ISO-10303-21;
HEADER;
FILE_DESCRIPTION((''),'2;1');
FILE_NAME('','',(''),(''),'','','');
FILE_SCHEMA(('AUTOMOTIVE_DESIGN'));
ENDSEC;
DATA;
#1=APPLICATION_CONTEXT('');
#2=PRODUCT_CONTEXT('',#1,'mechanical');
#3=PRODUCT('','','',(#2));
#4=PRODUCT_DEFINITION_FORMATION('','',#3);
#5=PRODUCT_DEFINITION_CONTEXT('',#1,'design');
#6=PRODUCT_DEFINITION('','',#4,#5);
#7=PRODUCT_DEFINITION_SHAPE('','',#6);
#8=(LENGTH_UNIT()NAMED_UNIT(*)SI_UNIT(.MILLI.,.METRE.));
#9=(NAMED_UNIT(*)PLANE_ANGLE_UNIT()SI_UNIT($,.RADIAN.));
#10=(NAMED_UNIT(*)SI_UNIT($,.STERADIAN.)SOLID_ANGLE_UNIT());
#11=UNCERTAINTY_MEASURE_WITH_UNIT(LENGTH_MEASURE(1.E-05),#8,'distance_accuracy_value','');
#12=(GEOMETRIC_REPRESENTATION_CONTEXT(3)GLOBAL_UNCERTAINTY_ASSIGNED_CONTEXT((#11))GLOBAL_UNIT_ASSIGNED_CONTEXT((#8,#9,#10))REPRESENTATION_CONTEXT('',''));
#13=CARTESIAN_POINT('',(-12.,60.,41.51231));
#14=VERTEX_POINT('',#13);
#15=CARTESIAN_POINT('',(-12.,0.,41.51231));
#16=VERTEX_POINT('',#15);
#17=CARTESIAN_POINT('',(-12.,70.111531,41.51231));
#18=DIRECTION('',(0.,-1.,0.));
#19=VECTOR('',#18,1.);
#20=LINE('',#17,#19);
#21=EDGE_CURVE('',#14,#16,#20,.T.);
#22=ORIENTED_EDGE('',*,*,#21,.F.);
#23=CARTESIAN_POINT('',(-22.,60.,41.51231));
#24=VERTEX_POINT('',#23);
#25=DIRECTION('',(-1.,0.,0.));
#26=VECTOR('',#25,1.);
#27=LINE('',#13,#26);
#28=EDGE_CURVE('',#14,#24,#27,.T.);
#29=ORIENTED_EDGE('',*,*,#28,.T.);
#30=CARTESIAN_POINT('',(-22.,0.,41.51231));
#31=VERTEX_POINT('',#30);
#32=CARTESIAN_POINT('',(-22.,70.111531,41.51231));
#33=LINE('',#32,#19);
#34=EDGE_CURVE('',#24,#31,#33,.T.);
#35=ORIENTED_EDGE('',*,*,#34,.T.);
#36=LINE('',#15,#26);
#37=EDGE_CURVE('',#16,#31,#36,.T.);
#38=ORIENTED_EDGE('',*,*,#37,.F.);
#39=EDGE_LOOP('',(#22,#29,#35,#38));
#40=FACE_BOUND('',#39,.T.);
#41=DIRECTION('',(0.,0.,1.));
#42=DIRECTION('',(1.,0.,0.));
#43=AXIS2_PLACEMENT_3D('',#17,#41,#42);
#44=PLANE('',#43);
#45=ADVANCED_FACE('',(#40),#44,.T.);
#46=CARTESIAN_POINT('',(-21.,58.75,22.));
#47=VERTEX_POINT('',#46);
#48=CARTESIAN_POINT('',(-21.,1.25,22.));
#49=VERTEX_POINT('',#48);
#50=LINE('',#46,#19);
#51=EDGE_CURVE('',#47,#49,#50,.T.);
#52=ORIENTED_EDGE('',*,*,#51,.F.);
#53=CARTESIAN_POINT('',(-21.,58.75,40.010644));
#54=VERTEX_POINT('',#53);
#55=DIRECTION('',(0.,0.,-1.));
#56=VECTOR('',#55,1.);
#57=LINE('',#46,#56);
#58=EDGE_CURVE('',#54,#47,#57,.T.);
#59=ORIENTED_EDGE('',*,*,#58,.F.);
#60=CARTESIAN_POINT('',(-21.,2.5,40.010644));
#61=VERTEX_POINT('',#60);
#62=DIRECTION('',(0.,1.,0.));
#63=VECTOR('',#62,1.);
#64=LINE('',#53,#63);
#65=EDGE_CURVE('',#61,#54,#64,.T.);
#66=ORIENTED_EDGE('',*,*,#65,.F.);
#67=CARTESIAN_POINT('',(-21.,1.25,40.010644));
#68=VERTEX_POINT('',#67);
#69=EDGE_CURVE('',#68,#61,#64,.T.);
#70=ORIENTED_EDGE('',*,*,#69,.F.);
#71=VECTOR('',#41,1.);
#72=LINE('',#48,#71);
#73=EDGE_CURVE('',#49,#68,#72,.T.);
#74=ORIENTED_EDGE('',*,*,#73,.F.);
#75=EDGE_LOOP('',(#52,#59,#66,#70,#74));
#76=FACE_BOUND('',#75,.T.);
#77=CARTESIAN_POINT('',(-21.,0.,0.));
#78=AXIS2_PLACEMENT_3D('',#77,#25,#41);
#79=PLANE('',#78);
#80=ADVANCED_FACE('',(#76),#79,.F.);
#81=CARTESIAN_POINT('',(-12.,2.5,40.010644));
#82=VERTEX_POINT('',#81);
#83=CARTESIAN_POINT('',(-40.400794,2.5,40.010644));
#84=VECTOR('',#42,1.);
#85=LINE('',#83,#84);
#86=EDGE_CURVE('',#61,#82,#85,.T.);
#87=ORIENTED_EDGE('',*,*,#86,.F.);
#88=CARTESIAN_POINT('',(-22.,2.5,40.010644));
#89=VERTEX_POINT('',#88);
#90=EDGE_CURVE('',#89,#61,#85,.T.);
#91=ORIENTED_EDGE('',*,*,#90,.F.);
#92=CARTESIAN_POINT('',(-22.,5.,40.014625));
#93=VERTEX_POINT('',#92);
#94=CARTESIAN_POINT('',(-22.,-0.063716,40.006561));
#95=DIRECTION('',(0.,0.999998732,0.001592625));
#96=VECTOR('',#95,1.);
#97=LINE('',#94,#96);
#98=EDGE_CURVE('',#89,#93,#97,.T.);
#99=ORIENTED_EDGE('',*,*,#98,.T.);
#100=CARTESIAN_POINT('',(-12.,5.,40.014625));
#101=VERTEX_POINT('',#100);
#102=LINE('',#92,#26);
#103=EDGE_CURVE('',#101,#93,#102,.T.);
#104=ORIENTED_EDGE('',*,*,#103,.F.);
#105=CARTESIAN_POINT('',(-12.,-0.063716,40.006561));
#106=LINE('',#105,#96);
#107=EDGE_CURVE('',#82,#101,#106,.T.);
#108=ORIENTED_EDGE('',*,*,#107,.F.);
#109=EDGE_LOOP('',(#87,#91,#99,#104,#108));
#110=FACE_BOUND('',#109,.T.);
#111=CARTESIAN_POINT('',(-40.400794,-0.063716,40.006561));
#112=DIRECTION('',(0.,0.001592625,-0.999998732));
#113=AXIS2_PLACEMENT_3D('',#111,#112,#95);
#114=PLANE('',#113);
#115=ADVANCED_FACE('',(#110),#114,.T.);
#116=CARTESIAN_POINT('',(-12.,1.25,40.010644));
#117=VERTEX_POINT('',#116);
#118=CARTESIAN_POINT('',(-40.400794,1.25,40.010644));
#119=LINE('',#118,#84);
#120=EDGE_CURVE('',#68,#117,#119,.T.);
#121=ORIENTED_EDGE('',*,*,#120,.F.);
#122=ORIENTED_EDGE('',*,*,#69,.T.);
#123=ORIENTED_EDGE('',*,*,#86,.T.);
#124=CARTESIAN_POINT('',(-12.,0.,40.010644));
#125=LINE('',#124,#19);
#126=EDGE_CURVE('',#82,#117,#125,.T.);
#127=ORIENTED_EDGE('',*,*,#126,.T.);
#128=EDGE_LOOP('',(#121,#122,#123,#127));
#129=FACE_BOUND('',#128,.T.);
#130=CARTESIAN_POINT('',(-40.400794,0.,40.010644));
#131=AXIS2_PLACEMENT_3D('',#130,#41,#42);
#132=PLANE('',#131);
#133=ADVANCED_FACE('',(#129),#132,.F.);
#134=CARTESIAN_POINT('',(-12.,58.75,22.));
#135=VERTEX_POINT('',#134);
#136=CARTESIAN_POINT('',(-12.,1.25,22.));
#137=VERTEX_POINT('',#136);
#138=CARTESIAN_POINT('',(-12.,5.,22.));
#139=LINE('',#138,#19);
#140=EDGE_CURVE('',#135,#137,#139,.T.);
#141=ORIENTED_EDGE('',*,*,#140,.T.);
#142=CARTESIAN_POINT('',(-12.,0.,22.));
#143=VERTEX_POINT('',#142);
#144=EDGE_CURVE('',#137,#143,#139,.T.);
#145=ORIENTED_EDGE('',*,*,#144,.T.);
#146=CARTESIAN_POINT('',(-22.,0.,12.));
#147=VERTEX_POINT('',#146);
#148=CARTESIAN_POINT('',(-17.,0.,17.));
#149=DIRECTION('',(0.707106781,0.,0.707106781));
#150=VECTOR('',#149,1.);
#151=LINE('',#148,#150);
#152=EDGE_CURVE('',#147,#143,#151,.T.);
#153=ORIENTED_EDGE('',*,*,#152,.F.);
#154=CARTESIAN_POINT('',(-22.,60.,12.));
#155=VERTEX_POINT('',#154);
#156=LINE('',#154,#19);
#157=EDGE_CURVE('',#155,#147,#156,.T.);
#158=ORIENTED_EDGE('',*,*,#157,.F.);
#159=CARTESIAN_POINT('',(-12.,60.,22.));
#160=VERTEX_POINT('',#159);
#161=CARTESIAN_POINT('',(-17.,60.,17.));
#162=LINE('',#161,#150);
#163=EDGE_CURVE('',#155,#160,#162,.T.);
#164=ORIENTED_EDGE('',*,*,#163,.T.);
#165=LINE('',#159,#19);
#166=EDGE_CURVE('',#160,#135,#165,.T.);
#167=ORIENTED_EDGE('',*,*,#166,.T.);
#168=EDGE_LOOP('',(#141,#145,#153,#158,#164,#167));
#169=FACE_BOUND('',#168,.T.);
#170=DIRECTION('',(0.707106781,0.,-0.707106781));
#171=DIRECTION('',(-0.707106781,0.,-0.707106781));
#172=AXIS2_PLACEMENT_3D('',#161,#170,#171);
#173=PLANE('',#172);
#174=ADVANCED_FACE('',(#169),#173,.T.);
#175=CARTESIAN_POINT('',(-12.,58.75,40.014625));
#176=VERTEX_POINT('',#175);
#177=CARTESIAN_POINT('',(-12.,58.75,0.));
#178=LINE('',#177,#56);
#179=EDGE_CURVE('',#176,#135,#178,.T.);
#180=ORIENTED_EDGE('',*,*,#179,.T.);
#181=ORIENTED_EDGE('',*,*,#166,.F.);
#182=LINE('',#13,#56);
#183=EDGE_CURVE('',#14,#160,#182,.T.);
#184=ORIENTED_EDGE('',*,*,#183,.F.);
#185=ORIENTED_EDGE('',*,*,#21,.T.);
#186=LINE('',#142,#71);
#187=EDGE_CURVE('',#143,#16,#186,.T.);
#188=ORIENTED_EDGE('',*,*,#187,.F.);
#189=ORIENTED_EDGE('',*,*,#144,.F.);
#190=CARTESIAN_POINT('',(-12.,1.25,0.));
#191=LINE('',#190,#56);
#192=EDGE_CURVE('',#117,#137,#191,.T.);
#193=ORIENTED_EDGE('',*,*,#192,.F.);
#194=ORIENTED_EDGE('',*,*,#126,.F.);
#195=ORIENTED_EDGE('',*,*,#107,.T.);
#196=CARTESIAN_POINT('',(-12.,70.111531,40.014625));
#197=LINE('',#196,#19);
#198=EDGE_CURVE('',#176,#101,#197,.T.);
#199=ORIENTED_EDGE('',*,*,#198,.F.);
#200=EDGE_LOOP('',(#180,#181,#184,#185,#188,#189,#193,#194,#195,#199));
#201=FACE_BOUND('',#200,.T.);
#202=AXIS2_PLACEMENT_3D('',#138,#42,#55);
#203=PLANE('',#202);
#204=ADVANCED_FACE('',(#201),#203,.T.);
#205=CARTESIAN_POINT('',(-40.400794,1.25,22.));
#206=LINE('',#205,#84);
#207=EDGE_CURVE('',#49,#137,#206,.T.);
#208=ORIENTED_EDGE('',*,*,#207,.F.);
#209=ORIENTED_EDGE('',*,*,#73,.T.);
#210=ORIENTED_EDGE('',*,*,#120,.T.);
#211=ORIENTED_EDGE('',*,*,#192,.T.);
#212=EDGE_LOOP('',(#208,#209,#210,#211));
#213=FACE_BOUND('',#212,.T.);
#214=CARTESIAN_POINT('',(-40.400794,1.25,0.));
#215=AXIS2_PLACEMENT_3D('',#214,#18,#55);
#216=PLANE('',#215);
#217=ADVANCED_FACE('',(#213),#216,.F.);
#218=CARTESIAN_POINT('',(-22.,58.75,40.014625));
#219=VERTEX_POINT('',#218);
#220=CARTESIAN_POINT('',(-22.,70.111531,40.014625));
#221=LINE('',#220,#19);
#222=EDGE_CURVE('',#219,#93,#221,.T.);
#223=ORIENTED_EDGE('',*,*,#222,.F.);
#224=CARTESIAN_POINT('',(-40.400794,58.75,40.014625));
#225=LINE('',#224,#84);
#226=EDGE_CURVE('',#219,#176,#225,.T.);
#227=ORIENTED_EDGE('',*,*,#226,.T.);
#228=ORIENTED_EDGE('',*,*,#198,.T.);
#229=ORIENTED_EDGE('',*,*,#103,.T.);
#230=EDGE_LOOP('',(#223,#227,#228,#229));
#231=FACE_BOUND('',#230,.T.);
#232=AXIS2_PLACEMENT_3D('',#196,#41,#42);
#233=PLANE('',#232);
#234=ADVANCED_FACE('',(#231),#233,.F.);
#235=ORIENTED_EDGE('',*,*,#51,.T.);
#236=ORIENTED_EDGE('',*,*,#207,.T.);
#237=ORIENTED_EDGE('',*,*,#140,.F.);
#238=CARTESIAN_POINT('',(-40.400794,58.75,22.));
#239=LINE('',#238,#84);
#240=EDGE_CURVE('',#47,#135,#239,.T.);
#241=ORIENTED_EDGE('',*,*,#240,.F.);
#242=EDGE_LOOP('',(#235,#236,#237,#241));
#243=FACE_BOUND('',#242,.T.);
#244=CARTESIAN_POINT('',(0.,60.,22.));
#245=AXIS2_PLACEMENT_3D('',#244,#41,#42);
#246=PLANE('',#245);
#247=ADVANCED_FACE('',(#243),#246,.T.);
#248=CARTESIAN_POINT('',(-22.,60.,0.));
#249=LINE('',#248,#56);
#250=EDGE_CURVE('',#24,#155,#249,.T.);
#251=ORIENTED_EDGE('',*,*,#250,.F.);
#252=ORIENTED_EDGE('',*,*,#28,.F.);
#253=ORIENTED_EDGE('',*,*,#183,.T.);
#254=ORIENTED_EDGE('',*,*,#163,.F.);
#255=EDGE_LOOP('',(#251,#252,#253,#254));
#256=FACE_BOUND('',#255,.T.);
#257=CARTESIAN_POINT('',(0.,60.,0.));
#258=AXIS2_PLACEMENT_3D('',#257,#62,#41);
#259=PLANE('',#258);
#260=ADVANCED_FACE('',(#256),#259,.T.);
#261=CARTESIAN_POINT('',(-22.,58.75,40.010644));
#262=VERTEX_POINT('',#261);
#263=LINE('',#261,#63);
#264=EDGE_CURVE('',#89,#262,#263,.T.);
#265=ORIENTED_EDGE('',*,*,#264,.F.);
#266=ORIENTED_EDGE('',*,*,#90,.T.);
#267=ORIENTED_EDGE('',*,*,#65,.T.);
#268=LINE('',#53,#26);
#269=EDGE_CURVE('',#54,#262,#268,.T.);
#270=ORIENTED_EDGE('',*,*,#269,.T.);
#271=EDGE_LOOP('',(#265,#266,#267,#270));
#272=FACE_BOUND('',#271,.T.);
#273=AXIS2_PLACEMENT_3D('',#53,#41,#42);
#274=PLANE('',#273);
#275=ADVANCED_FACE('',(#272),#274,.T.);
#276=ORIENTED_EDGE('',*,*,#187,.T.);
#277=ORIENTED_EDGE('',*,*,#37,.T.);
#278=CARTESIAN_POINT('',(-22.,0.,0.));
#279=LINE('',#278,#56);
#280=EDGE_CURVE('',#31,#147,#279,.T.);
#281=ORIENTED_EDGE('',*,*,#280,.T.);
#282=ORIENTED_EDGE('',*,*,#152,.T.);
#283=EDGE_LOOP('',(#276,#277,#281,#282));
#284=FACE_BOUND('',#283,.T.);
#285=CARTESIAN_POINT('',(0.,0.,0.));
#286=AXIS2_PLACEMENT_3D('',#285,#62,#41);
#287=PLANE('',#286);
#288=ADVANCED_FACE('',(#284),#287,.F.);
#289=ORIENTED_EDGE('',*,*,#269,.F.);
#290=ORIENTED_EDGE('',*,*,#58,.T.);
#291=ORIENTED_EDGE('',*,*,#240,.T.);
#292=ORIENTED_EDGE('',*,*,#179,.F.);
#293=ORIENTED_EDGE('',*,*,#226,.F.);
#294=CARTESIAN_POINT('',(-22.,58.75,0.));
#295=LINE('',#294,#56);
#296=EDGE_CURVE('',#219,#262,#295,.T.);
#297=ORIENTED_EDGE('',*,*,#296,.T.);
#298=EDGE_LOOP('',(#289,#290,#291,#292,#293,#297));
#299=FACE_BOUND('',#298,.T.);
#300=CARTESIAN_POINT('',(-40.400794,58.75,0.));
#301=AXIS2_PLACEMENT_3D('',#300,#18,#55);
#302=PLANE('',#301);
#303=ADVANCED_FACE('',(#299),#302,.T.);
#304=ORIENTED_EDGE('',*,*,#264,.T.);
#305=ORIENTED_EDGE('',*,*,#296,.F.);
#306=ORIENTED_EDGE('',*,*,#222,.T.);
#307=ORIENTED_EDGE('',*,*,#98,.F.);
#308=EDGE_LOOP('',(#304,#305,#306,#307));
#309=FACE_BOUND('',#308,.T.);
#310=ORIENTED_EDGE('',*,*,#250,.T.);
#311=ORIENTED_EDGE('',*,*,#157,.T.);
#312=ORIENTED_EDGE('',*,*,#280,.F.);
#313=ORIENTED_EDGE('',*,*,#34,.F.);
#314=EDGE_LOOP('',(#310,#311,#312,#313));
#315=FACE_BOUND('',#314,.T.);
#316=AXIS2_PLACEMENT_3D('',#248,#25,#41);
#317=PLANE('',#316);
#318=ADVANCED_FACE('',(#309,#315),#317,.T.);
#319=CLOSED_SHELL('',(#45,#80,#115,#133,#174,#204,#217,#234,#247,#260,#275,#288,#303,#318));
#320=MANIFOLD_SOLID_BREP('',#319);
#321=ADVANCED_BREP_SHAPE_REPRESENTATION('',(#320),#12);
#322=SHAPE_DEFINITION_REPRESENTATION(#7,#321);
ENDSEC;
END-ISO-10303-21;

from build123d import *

# Parameters (mm, degrees)
BOSS_EXTRUDE1_DEPTH = 60
SKETCH4_W           = 10
SKETCH4_H           = 1.497685239
BOSS_EXTRUDE2_DEPTH = 60
SKETCH6_W           = 10
SKETCH6_H           = 18.014625213
BOSS_EXTRUDE3_DEPTH = 5
CUT_EXTRUDE1_DEPTH  = 10
SKETCH8_W           = 18.010643645
SKETCH8_H           = 57.5
BOSS_EXTRUDE4_DEPTH = 1


with BuildPart() as part:
    # Sketch2 → Boss-Extrude1 (new body)
    with BuildSketch(Plane(origin=(0, 0, 0), x_dir=(1, 0, 0), z_dir=(0, 1, 0))):
        Polygon((-22, -22), (-22, -12), (-12, -22), align=None)
    extrude(amount=BOSS_EXTRUDE1_DEPTH)



with BuildPart() as body_2:
    # Sketch4 → Boss-Extrude2 (new body)
    with BuildSketch(Plane.XZ):
        with Locations((-17, 40.763467832)):
            Rectangle(SKETCH4_W, SKETCH4_H)
    extrude(amount=-BOSS_EXTRUDE2_DEPTH)


with BuildPart() as part_1:
    add(part.part)

    add(body_2.part)  # Boss-Extrude3 merges body 2
    # Sketch6 → Boss-Extrude3 (add)
    with BuildSketch(Plane(origin=(0, 0, 0), x_dir=(-1, 0, 0), z_dir=(0, -1, 0))):
        with Locations((17, -31.007312607)):
            Rectangle(SKETCH6_W, SKETCH6_H)
    boss_extrude3 = extrude(amount=-BOSS_EXTRUDE3_DEPTH)

    # Mirror1: Boss-Extrude3 across plane
    add(boss_extrude3.mirror(Plane.ZX.offset(30)))

    # Sketch7 → Cut-Extrude1 (cut)
    with BuildSketch(Plane(origin=(-12, 0, 0), x_dir=(0, 0, -1), z_dir=(1, 0, 0))):
        Polygon((-40.014625213, 55), (-22, 55), (-22, 57.5), (-22, 58.75), (-40.014625213, 58.75), (-40.014625213, 57.5), align=None)
        Polygon((-22, 2.5), (-22, 5), (-40.014625213, 5), (-40.010643645, 2.5), (-40.010643645, 1.25), (-22, 1.25), align=None)
    extrude(amount=-CUT_EXTRUDE1_DEPTH, mode=Mode.SUBTRACT)

    # Sketch8 → Boss-Extrude4 (add)
    with BuildSketch(Plane.ZY.offset(22)):
        with Locations((31.005321823, 30)):
            Rectangle(SKETCH8_W, SKETCH8_H)
    extrude(amount=-BOSS_EXTRUDE4_DEPTH)


solid = part_1.part
